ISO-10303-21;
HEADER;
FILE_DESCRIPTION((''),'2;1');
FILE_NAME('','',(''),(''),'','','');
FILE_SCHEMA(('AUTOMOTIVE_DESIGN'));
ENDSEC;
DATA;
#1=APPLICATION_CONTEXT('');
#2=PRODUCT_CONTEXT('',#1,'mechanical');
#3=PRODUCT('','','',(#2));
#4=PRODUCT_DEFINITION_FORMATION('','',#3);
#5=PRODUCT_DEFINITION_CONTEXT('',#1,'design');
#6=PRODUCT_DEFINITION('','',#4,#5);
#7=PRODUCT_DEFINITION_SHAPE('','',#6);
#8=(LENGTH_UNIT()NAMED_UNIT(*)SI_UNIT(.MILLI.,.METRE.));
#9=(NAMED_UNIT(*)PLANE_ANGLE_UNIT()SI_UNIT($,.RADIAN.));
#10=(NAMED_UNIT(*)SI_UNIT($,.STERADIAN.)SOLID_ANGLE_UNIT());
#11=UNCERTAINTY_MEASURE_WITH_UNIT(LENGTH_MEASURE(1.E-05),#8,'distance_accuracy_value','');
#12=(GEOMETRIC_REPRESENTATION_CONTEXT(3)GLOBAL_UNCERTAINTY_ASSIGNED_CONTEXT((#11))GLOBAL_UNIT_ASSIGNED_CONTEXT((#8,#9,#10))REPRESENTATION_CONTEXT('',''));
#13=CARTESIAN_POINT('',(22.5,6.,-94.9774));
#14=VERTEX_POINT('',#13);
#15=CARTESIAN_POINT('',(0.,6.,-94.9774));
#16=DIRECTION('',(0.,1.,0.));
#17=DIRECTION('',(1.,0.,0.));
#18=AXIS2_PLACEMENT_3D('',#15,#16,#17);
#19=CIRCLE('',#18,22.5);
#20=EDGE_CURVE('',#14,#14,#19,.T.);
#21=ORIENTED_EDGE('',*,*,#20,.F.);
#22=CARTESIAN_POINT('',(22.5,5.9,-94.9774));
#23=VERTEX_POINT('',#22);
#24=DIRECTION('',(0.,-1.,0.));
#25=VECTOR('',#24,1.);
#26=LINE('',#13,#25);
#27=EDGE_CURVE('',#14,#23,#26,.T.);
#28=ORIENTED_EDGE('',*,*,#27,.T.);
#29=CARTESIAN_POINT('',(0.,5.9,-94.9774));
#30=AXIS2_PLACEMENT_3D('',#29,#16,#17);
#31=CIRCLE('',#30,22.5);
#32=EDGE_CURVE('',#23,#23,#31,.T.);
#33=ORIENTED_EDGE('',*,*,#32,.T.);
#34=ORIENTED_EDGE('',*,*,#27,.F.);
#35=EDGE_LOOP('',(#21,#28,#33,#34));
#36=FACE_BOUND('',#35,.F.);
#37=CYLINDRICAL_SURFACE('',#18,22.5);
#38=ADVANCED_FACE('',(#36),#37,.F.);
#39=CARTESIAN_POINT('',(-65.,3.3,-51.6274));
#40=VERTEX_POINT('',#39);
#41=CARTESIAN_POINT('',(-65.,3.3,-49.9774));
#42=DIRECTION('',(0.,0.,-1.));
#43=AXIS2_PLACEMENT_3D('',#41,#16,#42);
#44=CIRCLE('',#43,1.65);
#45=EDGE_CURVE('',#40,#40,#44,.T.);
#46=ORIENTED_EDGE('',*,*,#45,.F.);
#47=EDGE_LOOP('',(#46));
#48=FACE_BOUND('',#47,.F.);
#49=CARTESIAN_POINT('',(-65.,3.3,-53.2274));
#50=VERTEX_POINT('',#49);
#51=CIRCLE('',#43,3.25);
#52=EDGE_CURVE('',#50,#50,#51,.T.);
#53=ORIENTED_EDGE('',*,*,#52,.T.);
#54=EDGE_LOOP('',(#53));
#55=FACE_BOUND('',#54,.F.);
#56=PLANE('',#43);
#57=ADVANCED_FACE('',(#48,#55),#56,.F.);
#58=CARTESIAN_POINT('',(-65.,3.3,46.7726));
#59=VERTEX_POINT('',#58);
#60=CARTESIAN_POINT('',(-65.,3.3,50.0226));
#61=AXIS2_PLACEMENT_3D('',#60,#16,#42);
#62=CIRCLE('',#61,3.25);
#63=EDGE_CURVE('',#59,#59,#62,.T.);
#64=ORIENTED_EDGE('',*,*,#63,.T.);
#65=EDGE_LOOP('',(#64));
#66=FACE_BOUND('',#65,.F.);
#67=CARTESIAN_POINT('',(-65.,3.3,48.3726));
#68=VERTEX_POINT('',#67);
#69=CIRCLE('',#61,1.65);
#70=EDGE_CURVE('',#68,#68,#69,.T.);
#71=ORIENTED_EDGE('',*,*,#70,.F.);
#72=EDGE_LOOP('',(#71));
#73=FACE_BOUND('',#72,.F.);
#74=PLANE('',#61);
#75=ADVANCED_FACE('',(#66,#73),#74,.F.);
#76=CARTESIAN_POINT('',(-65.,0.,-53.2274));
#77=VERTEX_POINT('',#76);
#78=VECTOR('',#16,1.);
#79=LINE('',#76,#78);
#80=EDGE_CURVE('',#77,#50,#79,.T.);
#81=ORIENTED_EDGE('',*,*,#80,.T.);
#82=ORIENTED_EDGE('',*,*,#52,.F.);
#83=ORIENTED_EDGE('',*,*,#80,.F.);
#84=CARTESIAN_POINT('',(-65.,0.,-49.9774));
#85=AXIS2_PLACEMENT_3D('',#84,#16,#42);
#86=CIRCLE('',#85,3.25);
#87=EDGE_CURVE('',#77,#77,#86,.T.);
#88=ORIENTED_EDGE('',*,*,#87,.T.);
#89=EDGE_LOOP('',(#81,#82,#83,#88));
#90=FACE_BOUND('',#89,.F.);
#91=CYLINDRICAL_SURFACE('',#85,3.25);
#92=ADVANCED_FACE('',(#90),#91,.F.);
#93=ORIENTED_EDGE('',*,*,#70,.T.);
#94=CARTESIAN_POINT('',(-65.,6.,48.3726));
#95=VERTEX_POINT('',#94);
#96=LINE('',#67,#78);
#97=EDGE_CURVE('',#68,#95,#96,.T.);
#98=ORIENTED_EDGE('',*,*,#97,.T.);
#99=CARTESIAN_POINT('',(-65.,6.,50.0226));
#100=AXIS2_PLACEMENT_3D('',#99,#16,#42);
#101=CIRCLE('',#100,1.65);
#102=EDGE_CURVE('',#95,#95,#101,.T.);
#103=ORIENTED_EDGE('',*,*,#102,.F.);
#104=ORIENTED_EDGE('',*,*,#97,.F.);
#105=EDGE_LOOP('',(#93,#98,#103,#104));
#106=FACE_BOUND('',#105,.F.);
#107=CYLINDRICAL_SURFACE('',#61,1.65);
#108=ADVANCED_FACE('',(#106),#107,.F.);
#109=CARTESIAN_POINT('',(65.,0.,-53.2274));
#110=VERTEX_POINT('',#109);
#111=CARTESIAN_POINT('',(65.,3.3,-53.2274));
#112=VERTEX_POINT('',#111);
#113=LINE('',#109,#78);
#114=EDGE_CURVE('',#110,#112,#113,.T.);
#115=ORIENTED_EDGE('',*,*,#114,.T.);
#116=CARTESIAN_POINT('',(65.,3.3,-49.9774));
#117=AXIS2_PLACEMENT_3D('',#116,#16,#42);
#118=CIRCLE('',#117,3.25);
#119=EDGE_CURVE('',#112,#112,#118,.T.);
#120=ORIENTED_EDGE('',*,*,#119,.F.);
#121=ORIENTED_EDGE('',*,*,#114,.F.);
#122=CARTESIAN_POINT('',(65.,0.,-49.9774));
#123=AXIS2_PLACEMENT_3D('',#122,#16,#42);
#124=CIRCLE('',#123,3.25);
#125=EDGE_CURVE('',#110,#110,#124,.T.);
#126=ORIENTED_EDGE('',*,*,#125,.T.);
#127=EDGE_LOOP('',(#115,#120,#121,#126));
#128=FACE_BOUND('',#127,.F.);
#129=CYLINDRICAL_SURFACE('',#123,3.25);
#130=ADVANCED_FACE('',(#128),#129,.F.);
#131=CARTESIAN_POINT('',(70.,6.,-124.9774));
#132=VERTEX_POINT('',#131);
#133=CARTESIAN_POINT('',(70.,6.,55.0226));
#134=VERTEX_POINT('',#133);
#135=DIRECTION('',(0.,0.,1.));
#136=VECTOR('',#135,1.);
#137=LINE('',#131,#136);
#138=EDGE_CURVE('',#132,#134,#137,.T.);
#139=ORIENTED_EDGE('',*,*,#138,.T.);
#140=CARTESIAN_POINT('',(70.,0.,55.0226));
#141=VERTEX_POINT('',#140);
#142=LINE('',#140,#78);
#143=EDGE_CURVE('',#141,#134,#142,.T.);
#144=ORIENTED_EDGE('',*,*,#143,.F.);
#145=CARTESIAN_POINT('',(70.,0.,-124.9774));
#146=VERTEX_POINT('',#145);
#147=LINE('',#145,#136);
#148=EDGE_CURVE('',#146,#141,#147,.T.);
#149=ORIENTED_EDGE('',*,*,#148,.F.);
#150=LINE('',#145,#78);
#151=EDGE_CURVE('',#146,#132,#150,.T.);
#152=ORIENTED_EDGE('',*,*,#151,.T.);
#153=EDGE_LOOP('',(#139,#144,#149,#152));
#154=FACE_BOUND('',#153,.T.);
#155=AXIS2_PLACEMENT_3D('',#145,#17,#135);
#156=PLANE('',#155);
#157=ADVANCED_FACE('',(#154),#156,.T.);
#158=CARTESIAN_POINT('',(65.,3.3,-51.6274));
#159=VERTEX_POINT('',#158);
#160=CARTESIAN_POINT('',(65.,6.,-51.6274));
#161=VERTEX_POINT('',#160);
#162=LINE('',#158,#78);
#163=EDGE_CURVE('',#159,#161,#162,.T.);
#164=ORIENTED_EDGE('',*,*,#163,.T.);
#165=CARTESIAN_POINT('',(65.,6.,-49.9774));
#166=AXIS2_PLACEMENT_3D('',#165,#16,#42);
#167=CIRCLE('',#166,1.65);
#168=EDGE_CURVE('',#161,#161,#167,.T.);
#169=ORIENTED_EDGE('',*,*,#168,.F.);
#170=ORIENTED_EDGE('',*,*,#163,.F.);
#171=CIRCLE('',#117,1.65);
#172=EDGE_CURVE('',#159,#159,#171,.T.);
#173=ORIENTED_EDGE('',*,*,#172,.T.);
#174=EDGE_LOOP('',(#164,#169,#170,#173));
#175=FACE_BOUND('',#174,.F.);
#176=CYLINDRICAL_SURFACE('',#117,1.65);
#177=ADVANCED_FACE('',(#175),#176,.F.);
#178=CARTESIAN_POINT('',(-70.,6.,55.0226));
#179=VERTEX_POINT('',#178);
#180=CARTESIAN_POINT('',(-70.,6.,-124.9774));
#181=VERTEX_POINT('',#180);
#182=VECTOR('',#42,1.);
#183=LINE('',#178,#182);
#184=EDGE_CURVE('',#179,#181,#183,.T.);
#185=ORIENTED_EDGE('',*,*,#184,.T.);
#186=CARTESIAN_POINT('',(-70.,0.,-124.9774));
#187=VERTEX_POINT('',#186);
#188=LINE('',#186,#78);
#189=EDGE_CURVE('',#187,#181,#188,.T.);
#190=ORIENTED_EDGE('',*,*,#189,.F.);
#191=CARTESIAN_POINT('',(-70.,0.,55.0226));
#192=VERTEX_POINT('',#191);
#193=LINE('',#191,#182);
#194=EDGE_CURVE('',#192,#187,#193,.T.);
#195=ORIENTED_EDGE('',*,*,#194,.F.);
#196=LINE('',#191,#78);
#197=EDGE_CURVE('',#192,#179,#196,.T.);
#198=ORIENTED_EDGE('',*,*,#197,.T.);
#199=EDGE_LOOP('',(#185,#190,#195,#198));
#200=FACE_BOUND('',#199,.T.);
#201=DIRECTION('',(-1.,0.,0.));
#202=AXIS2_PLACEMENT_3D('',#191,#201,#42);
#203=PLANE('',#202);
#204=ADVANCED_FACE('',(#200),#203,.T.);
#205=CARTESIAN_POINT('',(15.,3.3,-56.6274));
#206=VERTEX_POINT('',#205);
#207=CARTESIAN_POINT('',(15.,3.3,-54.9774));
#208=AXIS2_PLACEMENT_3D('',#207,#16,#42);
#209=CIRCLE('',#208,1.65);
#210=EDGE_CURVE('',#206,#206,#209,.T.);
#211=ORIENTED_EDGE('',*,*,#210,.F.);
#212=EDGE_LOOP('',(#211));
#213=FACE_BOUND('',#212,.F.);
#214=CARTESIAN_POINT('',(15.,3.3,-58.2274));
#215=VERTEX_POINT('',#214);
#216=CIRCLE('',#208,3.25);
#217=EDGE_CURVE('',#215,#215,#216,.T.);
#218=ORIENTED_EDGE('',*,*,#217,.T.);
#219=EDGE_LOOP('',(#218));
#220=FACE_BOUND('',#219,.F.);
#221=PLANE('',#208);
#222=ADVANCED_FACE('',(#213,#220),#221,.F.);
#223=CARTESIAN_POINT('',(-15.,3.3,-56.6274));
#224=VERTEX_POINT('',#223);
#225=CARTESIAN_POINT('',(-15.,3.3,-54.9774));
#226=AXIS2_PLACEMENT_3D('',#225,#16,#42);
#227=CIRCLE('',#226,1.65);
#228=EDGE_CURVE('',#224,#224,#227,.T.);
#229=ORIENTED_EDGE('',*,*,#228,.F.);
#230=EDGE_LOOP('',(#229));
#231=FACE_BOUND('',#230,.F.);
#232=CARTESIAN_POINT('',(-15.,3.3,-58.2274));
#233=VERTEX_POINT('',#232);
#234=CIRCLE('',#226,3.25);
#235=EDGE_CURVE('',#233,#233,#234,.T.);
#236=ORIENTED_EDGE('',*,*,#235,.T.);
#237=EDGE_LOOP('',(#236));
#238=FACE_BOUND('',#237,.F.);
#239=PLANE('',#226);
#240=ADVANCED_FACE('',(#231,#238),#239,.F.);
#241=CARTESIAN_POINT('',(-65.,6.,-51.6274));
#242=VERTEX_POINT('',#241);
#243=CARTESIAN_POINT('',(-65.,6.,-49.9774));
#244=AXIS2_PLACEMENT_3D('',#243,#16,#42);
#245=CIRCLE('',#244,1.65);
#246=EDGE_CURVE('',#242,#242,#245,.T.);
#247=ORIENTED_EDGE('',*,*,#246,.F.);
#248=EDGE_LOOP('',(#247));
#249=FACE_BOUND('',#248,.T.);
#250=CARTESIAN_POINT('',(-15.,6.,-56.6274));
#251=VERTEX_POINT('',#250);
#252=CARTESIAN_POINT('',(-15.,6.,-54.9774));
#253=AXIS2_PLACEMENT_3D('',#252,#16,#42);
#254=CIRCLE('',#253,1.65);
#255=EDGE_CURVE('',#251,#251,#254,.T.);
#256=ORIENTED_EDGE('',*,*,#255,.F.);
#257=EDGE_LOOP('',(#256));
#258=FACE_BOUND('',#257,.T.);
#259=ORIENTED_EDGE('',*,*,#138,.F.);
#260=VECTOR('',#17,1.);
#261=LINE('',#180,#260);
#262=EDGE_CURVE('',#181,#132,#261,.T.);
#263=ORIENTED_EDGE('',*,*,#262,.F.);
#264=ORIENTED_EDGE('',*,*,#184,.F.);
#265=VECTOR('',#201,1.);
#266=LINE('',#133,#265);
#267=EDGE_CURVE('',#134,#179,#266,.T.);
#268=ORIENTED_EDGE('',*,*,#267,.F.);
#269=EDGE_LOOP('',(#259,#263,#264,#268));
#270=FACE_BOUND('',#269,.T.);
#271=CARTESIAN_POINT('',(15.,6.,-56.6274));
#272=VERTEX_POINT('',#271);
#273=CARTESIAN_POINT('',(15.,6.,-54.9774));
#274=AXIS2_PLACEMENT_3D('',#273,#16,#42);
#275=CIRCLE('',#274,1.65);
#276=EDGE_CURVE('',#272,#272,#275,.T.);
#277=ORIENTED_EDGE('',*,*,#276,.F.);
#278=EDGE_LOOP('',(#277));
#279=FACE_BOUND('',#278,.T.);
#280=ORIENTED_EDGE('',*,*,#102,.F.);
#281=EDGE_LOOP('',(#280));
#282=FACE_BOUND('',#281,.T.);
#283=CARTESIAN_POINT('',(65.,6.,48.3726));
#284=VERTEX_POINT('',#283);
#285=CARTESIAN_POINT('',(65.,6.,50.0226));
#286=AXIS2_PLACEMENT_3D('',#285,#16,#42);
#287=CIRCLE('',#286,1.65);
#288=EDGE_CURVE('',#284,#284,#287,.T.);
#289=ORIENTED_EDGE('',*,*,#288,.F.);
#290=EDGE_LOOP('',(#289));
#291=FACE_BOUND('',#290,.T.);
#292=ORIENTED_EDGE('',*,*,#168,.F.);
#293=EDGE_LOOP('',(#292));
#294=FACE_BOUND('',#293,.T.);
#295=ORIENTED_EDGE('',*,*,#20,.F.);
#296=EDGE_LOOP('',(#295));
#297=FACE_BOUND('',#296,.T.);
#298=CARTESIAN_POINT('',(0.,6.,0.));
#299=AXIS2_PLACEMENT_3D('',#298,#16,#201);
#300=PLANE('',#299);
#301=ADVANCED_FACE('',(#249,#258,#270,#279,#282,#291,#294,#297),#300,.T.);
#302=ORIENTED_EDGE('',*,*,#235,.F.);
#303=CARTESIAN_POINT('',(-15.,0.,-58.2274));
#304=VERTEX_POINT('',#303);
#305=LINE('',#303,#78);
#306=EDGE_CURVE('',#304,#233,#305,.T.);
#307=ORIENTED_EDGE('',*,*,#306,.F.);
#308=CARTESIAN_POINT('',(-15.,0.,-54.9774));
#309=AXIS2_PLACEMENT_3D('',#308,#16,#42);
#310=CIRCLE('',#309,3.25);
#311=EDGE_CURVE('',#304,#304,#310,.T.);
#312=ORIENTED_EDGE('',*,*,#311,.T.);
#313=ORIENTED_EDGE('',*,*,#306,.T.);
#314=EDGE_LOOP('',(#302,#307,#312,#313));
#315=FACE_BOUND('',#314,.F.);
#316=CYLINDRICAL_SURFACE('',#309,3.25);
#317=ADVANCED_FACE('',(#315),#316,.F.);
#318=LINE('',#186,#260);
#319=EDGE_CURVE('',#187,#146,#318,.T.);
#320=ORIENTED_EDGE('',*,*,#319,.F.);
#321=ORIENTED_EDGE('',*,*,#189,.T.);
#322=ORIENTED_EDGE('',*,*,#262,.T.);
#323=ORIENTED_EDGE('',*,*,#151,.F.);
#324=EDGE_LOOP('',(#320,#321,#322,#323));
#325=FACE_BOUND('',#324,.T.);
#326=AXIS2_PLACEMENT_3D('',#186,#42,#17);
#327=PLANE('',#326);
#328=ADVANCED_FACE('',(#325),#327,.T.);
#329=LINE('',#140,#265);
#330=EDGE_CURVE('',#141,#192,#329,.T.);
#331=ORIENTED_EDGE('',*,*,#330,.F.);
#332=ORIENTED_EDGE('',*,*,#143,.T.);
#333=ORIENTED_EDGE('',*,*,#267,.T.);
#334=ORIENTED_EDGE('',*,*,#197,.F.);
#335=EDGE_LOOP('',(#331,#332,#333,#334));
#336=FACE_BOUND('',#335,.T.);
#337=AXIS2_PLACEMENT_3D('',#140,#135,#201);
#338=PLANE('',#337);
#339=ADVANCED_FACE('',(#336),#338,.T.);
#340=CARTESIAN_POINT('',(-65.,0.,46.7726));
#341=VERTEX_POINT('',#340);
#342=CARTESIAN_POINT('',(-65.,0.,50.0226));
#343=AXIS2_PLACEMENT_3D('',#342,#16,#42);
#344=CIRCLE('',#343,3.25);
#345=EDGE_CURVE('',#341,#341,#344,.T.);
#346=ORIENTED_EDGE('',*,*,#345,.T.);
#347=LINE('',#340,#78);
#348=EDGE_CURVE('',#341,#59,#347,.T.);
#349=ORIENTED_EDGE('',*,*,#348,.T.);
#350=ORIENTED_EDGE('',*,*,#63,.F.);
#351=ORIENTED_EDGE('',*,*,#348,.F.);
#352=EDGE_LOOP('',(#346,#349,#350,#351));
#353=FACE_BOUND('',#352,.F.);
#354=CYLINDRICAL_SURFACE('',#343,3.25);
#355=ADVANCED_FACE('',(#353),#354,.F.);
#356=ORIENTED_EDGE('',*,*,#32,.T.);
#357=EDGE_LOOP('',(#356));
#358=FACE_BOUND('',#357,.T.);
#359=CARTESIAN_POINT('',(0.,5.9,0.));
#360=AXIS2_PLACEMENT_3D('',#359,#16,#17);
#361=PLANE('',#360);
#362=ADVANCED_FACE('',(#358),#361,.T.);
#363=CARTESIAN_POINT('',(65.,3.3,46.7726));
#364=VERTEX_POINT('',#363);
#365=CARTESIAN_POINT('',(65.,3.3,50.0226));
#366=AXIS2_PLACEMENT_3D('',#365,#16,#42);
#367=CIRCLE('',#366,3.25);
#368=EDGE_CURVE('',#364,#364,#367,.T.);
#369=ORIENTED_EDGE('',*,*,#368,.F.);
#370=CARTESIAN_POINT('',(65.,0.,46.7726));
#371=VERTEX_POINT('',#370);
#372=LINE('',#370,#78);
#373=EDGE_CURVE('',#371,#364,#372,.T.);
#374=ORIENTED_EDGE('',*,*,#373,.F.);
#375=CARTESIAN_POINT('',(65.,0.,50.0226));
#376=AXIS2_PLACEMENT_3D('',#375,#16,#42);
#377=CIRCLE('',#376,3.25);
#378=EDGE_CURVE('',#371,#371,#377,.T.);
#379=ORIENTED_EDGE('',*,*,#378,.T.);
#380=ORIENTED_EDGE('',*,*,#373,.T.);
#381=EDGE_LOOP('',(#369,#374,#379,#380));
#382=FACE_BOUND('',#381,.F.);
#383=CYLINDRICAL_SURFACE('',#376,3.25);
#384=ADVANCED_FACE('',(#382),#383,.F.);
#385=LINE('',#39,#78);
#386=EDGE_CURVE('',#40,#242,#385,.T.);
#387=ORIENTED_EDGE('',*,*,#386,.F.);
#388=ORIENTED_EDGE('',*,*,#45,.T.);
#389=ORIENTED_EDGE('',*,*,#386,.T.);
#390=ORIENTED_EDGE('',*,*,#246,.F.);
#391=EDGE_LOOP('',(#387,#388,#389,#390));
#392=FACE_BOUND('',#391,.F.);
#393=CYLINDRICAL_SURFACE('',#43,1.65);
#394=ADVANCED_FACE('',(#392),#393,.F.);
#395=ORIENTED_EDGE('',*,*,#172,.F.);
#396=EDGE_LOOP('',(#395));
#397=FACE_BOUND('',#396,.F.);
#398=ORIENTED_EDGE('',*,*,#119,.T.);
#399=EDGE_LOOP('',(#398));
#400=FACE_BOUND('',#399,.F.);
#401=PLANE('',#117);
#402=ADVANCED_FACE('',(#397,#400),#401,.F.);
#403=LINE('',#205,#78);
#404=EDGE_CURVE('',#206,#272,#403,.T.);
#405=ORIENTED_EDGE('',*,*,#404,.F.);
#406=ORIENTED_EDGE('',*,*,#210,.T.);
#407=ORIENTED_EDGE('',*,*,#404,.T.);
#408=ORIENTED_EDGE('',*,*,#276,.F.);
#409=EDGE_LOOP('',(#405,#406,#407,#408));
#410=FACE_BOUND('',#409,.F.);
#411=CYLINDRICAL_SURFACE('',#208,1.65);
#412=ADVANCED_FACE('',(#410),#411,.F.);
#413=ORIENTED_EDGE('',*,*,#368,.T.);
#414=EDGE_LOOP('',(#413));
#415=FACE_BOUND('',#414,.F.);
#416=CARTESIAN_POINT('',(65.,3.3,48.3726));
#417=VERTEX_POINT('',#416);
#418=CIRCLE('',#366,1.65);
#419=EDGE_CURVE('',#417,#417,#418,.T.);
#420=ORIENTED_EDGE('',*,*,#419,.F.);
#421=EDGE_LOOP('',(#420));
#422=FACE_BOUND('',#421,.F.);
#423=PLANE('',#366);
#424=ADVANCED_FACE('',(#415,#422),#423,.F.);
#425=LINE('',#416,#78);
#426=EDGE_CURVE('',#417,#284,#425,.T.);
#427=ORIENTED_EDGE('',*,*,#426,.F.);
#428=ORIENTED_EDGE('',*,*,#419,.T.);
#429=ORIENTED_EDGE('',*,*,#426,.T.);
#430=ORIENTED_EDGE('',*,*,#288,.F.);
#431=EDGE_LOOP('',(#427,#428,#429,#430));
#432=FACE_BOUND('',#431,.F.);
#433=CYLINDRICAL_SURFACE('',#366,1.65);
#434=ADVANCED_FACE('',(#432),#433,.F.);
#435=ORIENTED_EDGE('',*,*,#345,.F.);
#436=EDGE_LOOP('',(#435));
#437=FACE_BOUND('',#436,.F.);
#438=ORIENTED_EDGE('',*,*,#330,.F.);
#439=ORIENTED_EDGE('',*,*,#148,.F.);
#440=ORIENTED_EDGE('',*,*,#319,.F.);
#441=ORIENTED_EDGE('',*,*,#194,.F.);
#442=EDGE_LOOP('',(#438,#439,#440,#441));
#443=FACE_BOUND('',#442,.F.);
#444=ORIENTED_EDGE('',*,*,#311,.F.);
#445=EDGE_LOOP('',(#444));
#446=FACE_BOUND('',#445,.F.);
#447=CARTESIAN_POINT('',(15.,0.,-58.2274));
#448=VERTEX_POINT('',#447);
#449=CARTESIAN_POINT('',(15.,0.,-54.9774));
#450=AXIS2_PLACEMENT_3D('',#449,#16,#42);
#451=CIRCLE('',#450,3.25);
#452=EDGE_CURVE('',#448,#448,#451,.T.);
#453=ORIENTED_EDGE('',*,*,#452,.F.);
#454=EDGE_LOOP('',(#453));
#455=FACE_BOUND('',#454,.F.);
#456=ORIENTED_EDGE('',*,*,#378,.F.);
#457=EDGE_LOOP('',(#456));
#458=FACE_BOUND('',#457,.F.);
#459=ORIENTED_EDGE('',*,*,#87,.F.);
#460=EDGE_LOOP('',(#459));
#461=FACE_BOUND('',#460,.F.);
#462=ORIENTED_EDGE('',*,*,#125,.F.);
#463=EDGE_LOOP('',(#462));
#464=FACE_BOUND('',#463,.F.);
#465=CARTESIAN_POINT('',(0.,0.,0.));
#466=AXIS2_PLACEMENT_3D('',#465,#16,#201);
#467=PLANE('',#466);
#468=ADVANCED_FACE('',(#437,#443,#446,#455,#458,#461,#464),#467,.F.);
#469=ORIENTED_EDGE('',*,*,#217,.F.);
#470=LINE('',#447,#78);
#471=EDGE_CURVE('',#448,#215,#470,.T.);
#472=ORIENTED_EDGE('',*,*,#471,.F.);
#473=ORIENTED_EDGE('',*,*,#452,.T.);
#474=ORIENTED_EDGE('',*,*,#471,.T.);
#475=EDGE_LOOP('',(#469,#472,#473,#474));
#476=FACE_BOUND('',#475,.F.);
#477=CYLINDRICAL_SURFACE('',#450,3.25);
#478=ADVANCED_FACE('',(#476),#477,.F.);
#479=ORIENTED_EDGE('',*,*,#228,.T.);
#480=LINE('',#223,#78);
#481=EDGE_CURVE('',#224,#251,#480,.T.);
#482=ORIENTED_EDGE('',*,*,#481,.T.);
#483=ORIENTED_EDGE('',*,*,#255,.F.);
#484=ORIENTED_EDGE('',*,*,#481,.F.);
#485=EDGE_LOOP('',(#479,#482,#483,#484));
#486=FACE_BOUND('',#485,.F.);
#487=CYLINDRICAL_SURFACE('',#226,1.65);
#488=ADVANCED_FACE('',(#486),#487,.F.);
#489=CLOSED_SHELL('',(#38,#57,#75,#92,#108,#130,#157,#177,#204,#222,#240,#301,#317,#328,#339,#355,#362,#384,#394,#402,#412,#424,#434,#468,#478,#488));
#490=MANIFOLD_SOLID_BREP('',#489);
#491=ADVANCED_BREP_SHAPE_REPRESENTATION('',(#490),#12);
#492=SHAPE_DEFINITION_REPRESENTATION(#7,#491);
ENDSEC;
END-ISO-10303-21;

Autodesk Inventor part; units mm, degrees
ref_plane "YZ Plane" through (0, 0, 0) normal (1, 0, 0) x (0, 1, 0)
ref_plane "XZ Plane" through (0, 0, 0) normal (0, 1, 0) x (-1, 0, 0)
ref_plane "XY Plane" through (0, 0, 0) normal (0, 0, 1) x (1, 0, 0)
sketch "草圖1" plane through (0, 0, 0) normal (0, 1, 0) x (-1, 0, 0)
  line L0 (70, -124.9774) -> (-70, -124.9774)
  line L1 (-70, -124.9774) -> (-70, 55.0226)
  line L2 (-70, 55.0226) -> (70, 55.0226)
  line L3 (70, 55.0226) -> (70, -124.9774)
  point P0 (0, 0)
  point P1 (0, 55.0226)
  dimension "d0" = 140
  dimension "d1" = 180
extrude "擠出1" add sketch "草圖1" along normal blind 6
sketch "草圖2" plane through (0, 0, 0) normal (0, -1, 0) x (1, 0, 0)
  line L0 (-65, 50.0226) -> (65, 50.0226)
  line L1 (65, 50.0226) -> (65, -49.9774)
  line L2 (65, -49.9774) -> (-65, -49.9774)
  line L3 (-65, -49.9774) -> (-65, 50.0226)
  line L4 (70, 55.0226) -> (-70, 55.0226) projected
  line L5 (15, -54.9774) -> (-15, -54.9774)
  point P0 (0, 0)
  point P1 (0, 50.0226)
  point P2 (0, -54.9774)
  dimension "d18" = 130
  dimension "d19" = 100
  dimension "d20" = 5
  dimension "d21" = 30
  dimension "d22" = 110
hole "孔1" at (65, 0, 50.0226) at (65, 0, -49.9774) at (-65, 0, -49.9774) at (-65, 0, 50.0226) at (15, 0, -54.9774) at (-15, 0, -54.9774) direction (0, 1, 0) diameter 3.3 end through all counterbore diameter 6.5 counterbore depth 3.3
sketch "草圖3" plane through (0, 6, 0) normal (0, 1, 0) x (1, 0, 0)
  circle A0 centre (0, 94.9774) radius 22.5
  line L0 (-70, -55.0226) -> (70, -55.0226) projected
  point P0 (0, 0)
  dimension "d15" = 45
  dimension "d23" = 150
extrude "擠出2" cut sketch "草圖3" against normal blind 0.1
properties part number "A0005"
